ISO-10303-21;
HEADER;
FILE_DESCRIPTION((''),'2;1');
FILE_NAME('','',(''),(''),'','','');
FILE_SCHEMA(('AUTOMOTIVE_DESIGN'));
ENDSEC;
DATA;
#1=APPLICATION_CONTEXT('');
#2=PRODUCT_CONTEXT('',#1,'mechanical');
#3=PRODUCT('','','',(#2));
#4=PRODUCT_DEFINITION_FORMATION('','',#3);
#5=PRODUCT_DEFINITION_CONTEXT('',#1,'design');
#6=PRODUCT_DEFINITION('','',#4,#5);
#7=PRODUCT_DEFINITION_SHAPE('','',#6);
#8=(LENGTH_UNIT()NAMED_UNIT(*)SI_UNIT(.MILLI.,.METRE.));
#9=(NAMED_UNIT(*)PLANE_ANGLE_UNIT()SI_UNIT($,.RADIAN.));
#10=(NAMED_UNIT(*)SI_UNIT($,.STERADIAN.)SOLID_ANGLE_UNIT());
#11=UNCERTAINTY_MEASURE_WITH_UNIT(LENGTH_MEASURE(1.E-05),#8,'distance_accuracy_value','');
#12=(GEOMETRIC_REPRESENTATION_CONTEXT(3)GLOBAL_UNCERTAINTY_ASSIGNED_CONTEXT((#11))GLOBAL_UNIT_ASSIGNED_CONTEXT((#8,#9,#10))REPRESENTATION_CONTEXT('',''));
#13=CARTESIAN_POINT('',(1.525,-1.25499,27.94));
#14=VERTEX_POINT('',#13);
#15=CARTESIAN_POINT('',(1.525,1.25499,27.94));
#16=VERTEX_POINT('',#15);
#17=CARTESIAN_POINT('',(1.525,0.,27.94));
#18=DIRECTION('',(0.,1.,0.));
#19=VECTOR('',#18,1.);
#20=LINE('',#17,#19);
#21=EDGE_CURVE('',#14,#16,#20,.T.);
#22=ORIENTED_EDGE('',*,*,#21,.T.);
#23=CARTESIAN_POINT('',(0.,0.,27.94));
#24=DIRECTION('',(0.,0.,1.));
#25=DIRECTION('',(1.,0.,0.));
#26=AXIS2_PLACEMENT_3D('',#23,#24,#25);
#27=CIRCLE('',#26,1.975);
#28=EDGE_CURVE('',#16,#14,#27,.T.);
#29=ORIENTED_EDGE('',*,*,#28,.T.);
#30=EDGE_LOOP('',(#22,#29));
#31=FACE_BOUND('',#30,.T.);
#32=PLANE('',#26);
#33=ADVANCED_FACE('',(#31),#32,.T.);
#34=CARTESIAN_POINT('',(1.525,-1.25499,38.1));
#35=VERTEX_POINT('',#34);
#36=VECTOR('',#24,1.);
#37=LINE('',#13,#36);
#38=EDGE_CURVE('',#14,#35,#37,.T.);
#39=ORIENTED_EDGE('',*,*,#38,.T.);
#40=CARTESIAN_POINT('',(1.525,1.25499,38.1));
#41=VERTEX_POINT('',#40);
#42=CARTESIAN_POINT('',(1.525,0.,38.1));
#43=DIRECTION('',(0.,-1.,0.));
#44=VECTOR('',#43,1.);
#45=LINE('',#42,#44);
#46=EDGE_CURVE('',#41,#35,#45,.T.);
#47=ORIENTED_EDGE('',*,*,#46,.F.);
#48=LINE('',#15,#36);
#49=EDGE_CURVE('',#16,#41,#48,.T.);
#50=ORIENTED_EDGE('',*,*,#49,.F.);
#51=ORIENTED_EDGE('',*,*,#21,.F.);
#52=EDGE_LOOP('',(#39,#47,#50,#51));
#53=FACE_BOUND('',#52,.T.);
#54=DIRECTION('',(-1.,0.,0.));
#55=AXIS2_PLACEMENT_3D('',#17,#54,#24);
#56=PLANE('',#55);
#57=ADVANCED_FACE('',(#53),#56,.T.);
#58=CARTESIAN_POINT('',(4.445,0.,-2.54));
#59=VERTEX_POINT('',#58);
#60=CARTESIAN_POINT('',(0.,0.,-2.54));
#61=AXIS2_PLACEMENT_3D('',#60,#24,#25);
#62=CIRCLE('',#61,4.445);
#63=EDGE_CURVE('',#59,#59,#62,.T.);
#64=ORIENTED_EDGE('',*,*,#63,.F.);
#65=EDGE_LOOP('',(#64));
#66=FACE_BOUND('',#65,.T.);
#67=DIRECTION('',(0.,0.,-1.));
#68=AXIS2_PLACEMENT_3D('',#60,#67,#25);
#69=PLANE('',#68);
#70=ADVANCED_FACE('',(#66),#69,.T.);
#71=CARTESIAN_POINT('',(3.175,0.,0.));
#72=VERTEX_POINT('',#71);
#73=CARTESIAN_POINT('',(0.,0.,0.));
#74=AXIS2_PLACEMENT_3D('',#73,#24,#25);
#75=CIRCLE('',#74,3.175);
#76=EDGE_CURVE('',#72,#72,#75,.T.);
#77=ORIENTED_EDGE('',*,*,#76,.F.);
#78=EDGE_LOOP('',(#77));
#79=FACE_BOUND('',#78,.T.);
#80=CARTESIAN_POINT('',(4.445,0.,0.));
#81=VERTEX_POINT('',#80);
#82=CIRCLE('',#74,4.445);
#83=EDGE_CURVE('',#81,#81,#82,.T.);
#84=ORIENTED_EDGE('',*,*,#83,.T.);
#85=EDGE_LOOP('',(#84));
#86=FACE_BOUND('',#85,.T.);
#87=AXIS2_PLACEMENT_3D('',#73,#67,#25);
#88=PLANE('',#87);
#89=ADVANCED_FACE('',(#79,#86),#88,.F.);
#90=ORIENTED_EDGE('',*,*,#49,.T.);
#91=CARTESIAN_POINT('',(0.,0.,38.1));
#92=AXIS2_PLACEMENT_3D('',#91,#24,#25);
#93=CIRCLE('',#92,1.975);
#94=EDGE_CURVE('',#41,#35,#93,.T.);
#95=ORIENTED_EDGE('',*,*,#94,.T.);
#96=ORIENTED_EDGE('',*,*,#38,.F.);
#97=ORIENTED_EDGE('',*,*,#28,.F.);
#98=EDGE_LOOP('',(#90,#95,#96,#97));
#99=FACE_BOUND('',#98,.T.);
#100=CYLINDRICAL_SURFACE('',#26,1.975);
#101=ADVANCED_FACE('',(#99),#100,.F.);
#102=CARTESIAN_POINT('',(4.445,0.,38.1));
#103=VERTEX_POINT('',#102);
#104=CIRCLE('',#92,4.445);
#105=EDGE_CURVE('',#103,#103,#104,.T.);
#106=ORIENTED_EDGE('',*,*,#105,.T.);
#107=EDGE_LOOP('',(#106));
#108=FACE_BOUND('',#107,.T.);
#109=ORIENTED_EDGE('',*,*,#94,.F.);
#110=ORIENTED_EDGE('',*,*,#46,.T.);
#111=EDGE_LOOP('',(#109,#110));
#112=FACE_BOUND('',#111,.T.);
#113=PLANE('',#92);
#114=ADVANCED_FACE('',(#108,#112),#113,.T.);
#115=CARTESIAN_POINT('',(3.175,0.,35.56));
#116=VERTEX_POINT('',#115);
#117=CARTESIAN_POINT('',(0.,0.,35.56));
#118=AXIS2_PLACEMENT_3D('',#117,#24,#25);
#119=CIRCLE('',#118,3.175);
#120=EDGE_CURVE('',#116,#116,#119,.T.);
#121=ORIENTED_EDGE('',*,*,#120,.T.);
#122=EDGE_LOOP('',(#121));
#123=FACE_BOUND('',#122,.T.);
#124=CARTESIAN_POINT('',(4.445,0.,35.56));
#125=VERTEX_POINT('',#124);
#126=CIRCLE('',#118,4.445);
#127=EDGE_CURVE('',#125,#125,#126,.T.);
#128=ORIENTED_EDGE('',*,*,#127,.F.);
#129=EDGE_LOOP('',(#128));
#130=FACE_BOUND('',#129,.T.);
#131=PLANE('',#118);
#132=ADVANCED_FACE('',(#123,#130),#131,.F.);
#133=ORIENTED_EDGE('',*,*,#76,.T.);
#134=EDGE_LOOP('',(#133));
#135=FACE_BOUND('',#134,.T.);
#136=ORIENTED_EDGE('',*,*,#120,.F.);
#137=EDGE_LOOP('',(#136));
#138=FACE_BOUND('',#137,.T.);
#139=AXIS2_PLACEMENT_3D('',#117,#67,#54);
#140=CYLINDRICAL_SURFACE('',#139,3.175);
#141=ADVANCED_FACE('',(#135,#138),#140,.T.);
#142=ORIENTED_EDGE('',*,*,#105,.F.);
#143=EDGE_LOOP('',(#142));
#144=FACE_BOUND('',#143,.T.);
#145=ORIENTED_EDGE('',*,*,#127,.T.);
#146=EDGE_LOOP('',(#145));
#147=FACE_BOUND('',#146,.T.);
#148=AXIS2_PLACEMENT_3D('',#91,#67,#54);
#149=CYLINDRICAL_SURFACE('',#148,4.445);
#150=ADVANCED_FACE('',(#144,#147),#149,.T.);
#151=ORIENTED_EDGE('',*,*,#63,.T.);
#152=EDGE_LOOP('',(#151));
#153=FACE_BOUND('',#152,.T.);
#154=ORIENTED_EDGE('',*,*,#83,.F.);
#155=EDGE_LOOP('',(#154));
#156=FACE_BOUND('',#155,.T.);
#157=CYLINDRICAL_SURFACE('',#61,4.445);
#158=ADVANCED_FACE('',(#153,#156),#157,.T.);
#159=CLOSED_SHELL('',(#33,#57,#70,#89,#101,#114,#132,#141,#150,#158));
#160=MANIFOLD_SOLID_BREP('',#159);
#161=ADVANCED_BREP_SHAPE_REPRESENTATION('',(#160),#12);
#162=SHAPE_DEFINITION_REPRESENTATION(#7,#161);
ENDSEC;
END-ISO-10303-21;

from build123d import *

# Parameters (mm, degrees)
SKETCH1_R           = 3.175
BOSS_EXTRUDE1_DEPTH = 35.56
SKETCH3_R           = 4.445
BOSS_EXTRUDE2_DEPTH = 2.54
CUT_EXTRUDE1_DEPTH  = 10.16


with BuildPart() as part:
    # Sketch1 → Boss-Extrude1 (new body)
    with BuildSketch(Plane.XY):
        Circle(SKETCH1_R)
    extrude(amount=BOSS_EXTRUDE1_DEPTH)

    # Sketch3 → Boss-Extrude2 (add)
    with BuildSketch(Plane.XY.offset(35.56)):
        Circle(SKETCH3_R)
    boss_extrude2 = extrude(amount=BOSS_EXTRUDE2_DEPTH)

    # Mirror1: Boss-Extrude2 across plane
    add(boss_extrude2.mirror(Plane.XY.offset(17.78)))

    # Sketch4 → Cut-Extrude1 (cut)
    with BuildSketch(Plane.XY.offset(38.1)):
        with BuildLine():
            Line((1.525, 0), (1.525, 1.25499004))
            ThreePointArc((1.525, 1.25499004), (-1.975, 0), (1.525, -1.25499004))
            Line((1.525, -1.25499004), (1.525, 0))
        make_face()
    extrude(amount=-CUT_EXTRUDE1_DEPTH, mode=Mode.SUBTRACT)


solid = part.part
